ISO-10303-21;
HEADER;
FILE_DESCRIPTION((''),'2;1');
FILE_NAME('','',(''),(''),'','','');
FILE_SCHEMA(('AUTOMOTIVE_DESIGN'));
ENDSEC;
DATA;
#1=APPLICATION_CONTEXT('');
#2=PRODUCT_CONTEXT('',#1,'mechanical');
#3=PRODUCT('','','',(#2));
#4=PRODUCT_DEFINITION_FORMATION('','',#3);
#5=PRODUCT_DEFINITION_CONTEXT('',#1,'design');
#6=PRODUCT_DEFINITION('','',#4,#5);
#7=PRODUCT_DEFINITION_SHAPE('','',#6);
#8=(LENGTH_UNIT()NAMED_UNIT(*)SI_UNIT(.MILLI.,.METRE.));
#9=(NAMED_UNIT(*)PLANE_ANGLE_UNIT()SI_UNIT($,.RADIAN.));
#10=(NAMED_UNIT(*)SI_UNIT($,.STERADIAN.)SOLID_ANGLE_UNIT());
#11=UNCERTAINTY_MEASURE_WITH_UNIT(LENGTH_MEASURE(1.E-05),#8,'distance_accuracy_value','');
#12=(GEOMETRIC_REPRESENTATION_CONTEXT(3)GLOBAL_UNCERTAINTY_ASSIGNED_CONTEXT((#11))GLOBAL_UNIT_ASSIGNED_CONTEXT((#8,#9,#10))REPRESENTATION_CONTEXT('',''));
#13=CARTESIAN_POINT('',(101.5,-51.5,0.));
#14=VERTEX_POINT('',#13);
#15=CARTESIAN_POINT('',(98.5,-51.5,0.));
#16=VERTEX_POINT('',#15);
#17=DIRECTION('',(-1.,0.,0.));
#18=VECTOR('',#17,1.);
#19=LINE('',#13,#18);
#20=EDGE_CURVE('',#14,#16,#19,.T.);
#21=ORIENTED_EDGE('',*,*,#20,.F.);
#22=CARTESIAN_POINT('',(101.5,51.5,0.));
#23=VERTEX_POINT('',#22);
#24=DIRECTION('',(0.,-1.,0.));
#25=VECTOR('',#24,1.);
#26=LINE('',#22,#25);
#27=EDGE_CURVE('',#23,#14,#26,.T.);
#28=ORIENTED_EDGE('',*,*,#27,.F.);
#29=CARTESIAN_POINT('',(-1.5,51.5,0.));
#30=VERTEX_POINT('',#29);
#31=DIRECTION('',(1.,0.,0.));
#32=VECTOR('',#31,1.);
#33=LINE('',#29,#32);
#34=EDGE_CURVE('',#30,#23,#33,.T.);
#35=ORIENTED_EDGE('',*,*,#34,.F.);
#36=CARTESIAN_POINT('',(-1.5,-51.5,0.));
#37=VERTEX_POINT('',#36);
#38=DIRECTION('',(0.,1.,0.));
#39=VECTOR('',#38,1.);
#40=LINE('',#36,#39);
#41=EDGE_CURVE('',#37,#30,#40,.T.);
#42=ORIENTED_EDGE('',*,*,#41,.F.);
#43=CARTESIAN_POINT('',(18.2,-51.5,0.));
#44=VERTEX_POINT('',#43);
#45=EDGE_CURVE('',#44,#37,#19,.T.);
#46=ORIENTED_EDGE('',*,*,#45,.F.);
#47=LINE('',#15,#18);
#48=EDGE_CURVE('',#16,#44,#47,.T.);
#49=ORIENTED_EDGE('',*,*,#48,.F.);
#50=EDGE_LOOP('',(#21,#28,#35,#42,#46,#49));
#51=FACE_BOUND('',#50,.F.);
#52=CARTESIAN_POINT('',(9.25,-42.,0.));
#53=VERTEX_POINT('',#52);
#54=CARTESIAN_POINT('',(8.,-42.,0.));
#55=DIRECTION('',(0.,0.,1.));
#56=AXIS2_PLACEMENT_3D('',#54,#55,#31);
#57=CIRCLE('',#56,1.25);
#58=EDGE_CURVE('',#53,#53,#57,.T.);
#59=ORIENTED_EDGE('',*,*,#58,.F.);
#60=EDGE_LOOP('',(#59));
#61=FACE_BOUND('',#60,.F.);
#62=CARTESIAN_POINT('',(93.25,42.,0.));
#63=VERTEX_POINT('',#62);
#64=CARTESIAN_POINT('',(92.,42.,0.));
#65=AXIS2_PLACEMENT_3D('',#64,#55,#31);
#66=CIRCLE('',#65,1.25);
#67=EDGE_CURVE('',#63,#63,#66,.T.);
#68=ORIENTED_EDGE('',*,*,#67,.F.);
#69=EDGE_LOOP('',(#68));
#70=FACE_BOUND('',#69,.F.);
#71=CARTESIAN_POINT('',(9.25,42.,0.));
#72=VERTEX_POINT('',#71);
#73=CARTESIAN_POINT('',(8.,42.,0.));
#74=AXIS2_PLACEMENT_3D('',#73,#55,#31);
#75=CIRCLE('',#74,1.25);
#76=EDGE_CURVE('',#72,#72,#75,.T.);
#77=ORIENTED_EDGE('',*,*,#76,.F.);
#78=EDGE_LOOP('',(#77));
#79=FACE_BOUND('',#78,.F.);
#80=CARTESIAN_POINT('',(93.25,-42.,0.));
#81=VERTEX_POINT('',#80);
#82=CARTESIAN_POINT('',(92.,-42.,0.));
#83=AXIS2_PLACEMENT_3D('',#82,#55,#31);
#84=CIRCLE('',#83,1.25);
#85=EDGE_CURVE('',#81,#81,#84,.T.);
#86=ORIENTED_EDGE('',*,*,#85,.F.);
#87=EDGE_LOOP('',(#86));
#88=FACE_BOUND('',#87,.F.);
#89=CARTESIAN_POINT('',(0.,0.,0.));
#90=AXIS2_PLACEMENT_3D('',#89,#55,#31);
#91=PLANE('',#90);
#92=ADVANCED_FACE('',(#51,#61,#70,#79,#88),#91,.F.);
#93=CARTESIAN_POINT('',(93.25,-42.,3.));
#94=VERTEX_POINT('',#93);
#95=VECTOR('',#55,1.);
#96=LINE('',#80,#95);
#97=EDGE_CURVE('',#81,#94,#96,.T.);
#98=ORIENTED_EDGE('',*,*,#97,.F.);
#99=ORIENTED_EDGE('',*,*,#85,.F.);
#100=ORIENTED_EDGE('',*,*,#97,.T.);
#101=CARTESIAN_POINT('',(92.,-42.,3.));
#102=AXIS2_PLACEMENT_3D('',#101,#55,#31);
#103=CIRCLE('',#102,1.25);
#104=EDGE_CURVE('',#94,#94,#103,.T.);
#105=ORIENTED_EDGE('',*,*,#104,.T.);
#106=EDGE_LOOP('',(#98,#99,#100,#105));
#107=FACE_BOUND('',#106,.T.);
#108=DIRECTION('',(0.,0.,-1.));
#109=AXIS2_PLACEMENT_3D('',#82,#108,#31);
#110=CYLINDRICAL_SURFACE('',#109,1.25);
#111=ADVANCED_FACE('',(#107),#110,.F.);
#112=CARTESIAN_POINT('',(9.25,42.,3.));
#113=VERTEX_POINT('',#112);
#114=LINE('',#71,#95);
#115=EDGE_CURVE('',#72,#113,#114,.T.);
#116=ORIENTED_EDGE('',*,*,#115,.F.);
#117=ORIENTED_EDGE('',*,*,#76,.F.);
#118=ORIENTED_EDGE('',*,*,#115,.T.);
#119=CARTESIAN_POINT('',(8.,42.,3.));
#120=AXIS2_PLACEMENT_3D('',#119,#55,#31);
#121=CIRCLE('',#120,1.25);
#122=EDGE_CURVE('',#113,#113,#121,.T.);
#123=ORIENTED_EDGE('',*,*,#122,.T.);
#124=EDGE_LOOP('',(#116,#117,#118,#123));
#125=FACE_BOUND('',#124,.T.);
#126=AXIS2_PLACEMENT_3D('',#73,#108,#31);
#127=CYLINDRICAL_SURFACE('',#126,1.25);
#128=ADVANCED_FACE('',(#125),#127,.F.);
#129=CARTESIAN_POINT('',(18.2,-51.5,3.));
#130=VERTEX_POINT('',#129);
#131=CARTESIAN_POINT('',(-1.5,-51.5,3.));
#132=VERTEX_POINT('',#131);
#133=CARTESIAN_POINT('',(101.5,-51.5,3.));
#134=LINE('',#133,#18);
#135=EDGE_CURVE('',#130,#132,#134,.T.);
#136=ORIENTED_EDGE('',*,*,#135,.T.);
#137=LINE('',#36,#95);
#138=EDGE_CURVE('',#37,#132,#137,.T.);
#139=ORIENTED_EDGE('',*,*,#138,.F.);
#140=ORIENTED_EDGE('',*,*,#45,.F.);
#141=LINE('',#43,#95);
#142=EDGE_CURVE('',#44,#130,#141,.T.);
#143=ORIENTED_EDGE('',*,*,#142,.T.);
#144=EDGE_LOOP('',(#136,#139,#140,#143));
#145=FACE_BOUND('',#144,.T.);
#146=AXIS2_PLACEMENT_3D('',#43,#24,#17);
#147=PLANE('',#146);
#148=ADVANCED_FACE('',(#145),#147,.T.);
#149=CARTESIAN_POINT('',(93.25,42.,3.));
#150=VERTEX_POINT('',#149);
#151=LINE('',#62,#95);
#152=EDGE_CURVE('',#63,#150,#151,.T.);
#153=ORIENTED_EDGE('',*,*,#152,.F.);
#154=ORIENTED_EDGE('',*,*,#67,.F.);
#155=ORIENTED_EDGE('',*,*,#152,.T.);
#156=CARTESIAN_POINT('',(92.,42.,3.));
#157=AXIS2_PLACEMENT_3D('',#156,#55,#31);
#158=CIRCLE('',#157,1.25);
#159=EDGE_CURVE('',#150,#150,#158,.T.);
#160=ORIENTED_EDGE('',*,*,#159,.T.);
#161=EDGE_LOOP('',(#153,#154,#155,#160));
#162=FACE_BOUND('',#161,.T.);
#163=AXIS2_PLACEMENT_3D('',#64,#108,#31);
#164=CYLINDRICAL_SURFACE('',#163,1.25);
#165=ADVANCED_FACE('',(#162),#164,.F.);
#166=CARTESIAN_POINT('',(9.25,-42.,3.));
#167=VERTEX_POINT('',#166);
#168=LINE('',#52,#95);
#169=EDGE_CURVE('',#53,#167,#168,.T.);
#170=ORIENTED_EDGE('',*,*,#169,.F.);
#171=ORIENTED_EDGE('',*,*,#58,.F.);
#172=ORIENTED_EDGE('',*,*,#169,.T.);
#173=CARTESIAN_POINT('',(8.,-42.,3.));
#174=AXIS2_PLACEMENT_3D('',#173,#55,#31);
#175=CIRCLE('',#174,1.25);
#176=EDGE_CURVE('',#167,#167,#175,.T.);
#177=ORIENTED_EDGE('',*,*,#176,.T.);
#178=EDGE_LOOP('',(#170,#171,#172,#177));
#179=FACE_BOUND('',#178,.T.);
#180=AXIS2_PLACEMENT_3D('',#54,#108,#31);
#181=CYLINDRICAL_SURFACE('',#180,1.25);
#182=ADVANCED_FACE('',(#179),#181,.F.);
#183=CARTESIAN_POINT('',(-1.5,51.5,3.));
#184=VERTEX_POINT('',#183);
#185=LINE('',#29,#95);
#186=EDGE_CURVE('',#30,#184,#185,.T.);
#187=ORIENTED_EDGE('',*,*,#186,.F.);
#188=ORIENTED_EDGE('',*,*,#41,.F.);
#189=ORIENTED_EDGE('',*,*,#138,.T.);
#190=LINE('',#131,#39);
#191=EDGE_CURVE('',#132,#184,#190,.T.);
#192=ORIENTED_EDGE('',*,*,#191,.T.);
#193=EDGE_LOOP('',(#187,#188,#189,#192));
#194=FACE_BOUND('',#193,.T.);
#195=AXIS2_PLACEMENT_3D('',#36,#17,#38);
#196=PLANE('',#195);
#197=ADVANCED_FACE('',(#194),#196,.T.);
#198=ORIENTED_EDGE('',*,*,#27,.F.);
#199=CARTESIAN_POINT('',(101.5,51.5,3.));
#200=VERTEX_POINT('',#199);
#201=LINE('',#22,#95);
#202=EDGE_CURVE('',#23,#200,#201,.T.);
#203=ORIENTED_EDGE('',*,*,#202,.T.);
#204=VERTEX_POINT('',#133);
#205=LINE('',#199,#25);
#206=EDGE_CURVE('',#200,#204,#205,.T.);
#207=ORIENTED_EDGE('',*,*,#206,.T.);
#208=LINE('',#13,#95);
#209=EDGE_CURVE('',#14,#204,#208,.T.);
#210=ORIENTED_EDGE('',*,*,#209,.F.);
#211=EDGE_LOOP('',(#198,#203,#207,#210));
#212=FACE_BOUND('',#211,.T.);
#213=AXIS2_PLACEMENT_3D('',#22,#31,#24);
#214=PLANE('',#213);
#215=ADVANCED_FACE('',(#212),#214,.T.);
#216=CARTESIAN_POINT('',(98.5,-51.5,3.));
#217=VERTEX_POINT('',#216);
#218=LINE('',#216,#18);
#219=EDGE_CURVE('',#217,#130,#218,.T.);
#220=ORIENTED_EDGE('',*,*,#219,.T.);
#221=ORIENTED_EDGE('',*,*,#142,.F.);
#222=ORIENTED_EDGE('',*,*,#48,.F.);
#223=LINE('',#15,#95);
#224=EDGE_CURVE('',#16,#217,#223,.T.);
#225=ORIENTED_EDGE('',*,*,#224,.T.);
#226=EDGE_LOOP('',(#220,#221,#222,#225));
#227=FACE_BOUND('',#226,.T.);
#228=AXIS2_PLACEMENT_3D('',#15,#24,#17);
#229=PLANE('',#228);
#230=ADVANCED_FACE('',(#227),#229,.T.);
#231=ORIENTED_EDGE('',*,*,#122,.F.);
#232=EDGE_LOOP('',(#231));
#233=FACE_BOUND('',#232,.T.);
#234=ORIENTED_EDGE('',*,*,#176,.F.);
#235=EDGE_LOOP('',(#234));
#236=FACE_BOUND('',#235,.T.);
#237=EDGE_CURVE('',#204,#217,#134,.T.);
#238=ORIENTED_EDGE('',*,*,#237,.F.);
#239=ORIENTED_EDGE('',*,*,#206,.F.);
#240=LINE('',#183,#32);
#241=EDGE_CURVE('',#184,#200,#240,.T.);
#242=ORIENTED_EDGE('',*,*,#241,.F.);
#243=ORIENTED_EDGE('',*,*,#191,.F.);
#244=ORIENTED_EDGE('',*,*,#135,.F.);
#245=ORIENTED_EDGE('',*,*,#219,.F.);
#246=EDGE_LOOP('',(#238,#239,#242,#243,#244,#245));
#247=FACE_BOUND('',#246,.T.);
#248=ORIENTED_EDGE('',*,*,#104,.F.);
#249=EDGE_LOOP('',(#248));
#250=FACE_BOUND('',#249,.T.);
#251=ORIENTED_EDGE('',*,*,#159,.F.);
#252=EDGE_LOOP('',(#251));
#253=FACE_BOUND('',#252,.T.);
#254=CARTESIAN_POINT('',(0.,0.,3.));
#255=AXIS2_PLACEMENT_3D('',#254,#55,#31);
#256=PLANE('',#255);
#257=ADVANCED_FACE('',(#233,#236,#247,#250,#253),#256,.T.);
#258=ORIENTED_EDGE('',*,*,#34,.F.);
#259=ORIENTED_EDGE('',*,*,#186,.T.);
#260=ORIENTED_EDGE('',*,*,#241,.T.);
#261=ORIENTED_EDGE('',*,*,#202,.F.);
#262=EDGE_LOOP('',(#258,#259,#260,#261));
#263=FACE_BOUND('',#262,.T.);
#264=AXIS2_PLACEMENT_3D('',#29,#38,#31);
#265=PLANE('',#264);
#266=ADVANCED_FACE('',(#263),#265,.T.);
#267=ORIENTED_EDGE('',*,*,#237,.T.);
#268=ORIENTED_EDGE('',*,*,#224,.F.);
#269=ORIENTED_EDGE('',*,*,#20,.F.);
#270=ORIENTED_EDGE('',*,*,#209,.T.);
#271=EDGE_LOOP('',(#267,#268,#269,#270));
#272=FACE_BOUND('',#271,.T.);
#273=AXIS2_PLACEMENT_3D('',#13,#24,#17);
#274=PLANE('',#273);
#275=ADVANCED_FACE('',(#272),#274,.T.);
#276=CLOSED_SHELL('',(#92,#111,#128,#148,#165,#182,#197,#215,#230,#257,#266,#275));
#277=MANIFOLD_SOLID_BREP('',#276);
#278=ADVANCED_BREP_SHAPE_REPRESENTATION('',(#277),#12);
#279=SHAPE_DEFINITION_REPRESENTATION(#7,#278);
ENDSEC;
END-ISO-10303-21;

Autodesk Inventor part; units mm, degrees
ref_plane "YZ Plane" through (0, 0, 0) normal (1, 0, 0) x (0, 1, 0)
ref_plane "XZ Plane" through (0, 0, 0) normal (0, 1, 0) x (-1, 0, 0)
ref_plane "XY Plane" through (0, 0, 0) normal (0, 0, 1) x (1, 0, 0)
sketch "Boceto1" plane through (0, 0, 0) normal (0, 0, 1) x (1, 0, 0)
  line L0 (-1.5, -51.5) -> (-1.5, 51.5)
  line L1 (98.5, -51.5) -> (18.2, -51.5)
  line L2 (101.5, 51.5) -> (101.5, -51.5)
  line L3 (101.5, -51.5) -> (-1.5, -51.5)
  line L4 (-1.5, -51.5) -> (-1.5, 51.5)
  line L5 (-1.5, 51.5) -> (101.5, 51.5)
  line L6 (101.5, 51.5) -> (101.5, -51.5)
  circle A0 centre (8, -42) radius 1.25
  circle A1 centre (8, 42) radius 1.25
  circle A2 centre (92, 42) radius 1.25
  circle A3 centre (92, -42) radius 1.25
  point P0 (0, 0)
extrude "Extrusión1" add sketch "Boceto1" along normal blind 3
properties part number "Tapa_abajo"
